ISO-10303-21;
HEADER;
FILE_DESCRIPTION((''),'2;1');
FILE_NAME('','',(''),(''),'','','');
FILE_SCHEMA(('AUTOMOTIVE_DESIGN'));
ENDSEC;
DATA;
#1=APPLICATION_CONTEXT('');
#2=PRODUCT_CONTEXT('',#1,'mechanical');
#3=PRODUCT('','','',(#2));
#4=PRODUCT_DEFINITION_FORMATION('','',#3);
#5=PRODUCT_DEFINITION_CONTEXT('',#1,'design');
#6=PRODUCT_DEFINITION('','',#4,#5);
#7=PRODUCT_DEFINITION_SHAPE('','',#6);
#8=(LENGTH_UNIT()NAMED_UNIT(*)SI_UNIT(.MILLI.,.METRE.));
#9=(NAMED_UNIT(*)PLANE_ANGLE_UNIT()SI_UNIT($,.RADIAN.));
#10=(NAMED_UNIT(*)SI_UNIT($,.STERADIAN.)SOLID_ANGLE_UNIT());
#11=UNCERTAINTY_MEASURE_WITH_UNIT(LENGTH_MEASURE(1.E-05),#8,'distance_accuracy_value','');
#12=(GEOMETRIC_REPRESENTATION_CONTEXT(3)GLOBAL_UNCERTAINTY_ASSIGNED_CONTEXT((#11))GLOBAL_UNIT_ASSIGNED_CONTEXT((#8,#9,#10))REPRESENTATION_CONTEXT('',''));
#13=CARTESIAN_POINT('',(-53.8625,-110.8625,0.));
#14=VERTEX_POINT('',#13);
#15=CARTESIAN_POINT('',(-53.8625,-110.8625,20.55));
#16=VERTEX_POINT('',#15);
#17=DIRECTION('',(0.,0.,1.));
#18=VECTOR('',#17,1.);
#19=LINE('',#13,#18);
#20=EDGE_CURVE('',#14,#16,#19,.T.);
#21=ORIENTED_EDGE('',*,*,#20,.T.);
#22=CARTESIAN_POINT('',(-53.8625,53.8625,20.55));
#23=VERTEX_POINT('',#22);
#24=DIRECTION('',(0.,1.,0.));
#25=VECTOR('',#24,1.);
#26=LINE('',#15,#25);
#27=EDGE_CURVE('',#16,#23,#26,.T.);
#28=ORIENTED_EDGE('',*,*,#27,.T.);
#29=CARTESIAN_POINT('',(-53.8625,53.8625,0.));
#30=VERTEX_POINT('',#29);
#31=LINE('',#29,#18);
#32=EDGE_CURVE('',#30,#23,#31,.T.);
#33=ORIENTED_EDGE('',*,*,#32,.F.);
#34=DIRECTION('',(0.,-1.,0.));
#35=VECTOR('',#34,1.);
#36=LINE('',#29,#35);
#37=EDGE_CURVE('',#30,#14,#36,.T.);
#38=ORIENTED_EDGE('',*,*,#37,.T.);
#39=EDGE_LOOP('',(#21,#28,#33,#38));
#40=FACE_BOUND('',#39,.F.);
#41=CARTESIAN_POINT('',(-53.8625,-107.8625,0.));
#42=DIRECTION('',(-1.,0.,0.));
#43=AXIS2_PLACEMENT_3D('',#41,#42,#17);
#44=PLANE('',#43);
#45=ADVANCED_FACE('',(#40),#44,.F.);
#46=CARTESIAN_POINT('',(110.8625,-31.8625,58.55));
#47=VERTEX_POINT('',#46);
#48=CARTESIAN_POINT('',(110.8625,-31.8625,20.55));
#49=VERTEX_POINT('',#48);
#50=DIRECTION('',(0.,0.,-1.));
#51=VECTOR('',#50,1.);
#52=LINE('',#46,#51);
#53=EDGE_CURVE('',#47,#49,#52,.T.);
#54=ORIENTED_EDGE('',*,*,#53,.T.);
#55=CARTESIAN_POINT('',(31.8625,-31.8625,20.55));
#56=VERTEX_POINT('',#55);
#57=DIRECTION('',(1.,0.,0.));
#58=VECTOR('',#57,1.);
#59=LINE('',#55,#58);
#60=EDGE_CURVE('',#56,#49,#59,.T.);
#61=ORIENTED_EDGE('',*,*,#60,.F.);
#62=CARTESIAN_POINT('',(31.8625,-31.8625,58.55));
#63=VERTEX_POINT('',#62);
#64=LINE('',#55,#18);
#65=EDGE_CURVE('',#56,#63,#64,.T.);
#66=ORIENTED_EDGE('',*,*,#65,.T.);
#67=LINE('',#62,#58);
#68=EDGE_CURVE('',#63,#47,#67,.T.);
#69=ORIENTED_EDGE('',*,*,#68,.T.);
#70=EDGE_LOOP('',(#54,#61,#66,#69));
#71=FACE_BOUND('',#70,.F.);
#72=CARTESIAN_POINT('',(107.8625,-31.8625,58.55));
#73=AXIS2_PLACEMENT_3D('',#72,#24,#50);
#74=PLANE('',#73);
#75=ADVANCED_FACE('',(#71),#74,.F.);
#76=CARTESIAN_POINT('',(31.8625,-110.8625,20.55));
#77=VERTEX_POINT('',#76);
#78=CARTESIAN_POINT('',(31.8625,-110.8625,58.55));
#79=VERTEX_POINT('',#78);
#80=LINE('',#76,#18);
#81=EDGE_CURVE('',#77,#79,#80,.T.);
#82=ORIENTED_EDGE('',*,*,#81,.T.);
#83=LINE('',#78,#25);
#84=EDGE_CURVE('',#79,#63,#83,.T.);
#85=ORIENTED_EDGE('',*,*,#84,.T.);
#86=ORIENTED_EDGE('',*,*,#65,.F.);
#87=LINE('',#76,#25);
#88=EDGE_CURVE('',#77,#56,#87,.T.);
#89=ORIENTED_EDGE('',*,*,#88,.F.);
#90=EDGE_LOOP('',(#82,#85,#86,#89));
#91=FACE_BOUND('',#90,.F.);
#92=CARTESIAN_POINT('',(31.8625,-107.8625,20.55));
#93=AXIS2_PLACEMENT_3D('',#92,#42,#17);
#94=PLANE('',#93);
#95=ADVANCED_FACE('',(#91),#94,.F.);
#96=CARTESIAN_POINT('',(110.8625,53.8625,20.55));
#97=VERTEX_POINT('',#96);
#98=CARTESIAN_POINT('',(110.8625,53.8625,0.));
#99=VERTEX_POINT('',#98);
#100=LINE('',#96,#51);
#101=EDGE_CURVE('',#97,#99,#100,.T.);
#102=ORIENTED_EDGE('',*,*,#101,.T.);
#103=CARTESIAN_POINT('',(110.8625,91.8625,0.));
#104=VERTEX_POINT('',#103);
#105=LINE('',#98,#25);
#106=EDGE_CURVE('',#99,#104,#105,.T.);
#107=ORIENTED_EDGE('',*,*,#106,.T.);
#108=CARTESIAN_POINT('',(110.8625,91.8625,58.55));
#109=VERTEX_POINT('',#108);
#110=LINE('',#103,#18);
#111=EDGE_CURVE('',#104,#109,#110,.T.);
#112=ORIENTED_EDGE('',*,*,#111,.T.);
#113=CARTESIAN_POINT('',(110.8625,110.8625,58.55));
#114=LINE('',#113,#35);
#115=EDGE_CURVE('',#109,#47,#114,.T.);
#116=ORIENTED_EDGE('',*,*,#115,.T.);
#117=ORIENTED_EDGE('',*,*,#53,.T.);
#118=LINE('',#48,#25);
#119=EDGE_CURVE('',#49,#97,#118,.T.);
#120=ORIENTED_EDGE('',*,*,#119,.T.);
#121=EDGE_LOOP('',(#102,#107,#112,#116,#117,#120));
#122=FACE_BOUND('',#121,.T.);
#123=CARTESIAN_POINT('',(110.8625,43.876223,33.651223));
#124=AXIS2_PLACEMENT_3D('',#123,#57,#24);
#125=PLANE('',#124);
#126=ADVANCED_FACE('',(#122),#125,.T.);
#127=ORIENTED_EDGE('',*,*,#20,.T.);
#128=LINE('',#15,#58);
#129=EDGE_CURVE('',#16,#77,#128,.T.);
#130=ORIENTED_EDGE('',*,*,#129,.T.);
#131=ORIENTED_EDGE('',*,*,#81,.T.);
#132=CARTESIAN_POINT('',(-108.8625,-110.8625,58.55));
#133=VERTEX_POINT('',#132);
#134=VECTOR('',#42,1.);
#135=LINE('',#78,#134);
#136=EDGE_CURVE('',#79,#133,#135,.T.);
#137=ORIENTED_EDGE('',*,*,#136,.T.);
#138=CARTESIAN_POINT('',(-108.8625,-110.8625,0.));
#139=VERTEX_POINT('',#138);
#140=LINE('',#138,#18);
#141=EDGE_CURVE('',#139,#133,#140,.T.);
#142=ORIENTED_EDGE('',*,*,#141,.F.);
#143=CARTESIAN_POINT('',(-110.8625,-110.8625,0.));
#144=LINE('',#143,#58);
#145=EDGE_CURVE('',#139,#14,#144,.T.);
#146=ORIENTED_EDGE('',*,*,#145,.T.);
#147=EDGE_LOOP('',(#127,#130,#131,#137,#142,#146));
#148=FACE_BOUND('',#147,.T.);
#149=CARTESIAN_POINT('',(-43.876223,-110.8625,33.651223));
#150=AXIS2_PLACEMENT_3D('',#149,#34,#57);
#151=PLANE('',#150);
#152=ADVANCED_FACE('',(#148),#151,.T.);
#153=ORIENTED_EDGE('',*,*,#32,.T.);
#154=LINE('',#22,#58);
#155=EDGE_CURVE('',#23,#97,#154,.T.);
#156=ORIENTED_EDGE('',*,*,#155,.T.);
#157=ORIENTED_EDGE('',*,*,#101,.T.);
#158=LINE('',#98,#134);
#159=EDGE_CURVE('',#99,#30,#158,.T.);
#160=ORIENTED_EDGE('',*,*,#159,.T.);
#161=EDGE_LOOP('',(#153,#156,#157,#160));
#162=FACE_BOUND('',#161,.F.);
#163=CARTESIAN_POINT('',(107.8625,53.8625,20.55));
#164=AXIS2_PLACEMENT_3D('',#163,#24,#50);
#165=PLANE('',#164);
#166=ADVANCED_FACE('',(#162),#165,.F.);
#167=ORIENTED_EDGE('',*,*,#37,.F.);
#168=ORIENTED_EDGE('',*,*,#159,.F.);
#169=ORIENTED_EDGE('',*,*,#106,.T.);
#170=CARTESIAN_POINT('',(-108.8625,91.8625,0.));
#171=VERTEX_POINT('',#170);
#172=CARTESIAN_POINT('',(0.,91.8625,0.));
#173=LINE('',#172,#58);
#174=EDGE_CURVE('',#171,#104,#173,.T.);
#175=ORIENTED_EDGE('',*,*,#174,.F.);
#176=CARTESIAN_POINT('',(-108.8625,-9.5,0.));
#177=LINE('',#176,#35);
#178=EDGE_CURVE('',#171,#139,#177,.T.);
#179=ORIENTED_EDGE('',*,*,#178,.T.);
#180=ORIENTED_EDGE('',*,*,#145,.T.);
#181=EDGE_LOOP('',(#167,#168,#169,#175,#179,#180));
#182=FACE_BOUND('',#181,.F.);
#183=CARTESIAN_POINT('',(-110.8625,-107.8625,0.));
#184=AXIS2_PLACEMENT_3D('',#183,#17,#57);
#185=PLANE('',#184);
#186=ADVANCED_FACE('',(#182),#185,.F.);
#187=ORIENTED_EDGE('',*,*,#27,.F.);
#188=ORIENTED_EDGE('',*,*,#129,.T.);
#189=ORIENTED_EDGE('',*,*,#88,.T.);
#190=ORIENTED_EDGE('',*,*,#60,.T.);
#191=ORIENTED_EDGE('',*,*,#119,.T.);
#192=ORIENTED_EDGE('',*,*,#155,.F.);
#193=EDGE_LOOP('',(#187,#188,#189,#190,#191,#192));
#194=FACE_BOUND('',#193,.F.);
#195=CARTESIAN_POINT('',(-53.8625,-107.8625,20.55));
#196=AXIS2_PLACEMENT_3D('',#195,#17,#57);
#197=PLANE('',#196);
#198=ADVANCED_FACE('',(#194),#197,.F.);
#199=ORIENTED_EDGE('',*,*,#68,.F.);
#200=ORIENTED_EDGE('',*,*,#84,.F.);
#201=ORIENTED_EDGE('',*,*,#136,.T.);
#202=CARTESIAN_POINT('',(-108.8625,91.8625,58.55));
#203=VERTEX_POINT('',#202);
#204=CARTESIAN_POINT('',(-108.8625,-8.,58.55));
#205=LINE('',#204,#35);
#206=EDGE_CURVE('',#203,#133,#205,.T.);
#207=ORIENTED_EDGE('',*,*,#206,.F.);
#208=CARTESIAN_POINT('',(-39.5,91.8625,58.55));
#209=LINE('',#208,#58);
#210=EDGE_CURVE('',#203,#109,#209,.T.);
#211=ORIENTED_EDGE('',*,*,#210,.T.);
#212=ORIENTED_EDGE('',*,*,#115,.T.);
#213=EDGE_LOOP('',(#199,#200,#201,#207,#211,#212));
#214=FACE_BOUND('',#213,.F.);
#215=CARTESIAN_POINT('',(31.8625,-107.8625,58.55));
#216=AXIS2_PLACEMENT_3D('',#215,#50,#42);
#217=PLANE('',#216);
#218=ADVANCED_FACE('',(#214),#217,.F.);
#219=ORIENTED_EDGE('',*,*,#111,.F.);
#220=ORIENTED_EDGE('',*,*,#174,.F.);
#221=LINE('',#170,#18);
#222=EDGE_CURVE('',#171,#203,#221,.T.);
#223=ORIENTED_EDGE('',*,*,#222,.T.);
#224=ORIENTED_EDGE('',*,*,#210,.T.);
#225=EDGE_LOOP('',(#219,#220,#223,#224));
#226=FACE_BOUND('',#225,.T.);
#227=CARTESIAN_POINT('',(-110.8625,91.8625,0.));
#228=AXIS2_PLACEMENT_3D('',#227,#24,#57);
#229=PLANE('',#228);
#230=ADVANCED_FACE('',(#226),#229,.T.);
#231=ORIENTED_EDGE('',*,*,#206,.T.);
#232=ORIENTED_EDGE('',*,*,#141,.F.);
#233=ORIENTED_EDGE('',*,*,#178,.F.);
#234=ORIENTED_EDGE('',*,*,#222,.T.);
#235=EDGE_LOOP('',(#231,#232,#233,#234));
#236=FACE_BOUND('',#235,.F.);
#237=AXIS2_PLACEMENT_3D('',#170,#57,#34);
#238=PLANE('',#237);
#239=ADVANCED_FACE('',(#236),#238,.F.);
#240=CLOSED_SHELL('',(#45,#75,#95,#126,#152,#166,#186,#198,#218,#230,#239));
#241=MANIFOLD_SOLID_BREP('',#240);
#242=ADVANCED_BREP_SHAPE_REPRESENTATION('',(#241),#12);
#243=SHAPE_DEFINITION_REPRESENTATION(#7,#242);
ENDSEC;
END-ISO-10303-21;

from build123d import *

# Parameters (mm, degrees)
F1_DEPTH  = 20.55
F2_W      = 215.725
F2_H      = 215.725
F3_DEPTH  = 38
F5_DEPTH  = 58.55
F6_W      = 76
F6_H      = 76
F7_DEPTH  = 38.001
F9_DEPTH  = 3
F11_DEPTH = 3
F12_W     = 221.725
F12_H     = 19
F13_DEPTH = 58.551
F14_W     = 2
F14_H     = 202.725
F15_DEPTH = 58.551


with BuildPart() as f1:
    # F0 (on Top) → F1 (new body)
    with BuildSketch(Plane.XY):
        Polygon((-53.8625, 53.8625), (107.8625, 53.8625), (107.8625, 107.8625), (-107.8625, 107.8625), (-107.8625, -107.8625), (-53.8625, -107.8625), align=None)
    extrude(amount=F1_DEPTH)

    # F2 (on face) → F3 (join)
    with BuildSketch(Plane.XY.offset(20.55)):
        Rectangle(F2_W, F2_H)
    extrude(amount=F3_DEPTH)

    # F4 (on face) → F5 (join, through all)
    with BuildSketch(Plane.XY.offset(58.55)):
        Polygon((-110.8625, -107.8625), (-107.8625, -107.8625), (-107.8625, 107.8625), (107.8625, 107.8625), (107.8625, 110.8625), (-110.8625, 110.8625), align=None)
    extrude(amount=-F5_DEPTH)

    # F6 (on face) → F7 (cut, through all)
    with BuildSketch(Plane(origin=(0, 0, 20.55), x_dir=(1, 0, 0), z_dir=(0, 0, -1))):
        with Locations((69.8625, 69.8625)):
            Rectangle(F6_W, F6_H)
    extrude(amount=-F7_DEPTH, mode=Mode.SUBTRACT)

    # F8 (on face) → F9 (join)
    with BuildSketch(Plane.YZ.offset(107.8625)):
        Polygon((110.8625, 58.55), (-31.8625, 58.55), (-31.8625, 20.55), (53.8625, 20.55), (53.8625, 0), (110.8625, 0), align=None)
    extrude(amount=F9_DEPTH)

    # F10 (on face) → F11 (join)
    with BuildSketch(Plane.XZ.offset(107.8625)):
        Polygon((31.8625, 58.55), (-110.8625, 58.55), (-110.8625, 0), (-53.8625, 0), (-53.8625, 20.55), (31.8625, 20.55), align=None)
    extrude(amount=F11_DEPTH)

    # F12 (on face) → F13 (cut, through all)
    with BuildSketch(Plane(origin=(0, 0, 0), x_dir=(1, 0, 0), z_dir=(0, 0, -1))):
        with Locations((0, -101.3625)):
            Rectangle(F12_W, F12_H)
    extrude(amount=-F13_DEPTH, mode=Mode.SUBTRACT)

    # F14 (on face) → F15 (cut, through all)
    with BuildSketch(Plane(origin=(0, 0, 0), x_dir=(1, 0, 0), z_dir=(0, 0, -1))):
        with Locations((-109.8625, 9.5)):
            Rectangle(F14_W, F14_H)
    extrude(amount=-F15_DEPTH, mode=Mode.SUBTRACT)


solid = f1.part
